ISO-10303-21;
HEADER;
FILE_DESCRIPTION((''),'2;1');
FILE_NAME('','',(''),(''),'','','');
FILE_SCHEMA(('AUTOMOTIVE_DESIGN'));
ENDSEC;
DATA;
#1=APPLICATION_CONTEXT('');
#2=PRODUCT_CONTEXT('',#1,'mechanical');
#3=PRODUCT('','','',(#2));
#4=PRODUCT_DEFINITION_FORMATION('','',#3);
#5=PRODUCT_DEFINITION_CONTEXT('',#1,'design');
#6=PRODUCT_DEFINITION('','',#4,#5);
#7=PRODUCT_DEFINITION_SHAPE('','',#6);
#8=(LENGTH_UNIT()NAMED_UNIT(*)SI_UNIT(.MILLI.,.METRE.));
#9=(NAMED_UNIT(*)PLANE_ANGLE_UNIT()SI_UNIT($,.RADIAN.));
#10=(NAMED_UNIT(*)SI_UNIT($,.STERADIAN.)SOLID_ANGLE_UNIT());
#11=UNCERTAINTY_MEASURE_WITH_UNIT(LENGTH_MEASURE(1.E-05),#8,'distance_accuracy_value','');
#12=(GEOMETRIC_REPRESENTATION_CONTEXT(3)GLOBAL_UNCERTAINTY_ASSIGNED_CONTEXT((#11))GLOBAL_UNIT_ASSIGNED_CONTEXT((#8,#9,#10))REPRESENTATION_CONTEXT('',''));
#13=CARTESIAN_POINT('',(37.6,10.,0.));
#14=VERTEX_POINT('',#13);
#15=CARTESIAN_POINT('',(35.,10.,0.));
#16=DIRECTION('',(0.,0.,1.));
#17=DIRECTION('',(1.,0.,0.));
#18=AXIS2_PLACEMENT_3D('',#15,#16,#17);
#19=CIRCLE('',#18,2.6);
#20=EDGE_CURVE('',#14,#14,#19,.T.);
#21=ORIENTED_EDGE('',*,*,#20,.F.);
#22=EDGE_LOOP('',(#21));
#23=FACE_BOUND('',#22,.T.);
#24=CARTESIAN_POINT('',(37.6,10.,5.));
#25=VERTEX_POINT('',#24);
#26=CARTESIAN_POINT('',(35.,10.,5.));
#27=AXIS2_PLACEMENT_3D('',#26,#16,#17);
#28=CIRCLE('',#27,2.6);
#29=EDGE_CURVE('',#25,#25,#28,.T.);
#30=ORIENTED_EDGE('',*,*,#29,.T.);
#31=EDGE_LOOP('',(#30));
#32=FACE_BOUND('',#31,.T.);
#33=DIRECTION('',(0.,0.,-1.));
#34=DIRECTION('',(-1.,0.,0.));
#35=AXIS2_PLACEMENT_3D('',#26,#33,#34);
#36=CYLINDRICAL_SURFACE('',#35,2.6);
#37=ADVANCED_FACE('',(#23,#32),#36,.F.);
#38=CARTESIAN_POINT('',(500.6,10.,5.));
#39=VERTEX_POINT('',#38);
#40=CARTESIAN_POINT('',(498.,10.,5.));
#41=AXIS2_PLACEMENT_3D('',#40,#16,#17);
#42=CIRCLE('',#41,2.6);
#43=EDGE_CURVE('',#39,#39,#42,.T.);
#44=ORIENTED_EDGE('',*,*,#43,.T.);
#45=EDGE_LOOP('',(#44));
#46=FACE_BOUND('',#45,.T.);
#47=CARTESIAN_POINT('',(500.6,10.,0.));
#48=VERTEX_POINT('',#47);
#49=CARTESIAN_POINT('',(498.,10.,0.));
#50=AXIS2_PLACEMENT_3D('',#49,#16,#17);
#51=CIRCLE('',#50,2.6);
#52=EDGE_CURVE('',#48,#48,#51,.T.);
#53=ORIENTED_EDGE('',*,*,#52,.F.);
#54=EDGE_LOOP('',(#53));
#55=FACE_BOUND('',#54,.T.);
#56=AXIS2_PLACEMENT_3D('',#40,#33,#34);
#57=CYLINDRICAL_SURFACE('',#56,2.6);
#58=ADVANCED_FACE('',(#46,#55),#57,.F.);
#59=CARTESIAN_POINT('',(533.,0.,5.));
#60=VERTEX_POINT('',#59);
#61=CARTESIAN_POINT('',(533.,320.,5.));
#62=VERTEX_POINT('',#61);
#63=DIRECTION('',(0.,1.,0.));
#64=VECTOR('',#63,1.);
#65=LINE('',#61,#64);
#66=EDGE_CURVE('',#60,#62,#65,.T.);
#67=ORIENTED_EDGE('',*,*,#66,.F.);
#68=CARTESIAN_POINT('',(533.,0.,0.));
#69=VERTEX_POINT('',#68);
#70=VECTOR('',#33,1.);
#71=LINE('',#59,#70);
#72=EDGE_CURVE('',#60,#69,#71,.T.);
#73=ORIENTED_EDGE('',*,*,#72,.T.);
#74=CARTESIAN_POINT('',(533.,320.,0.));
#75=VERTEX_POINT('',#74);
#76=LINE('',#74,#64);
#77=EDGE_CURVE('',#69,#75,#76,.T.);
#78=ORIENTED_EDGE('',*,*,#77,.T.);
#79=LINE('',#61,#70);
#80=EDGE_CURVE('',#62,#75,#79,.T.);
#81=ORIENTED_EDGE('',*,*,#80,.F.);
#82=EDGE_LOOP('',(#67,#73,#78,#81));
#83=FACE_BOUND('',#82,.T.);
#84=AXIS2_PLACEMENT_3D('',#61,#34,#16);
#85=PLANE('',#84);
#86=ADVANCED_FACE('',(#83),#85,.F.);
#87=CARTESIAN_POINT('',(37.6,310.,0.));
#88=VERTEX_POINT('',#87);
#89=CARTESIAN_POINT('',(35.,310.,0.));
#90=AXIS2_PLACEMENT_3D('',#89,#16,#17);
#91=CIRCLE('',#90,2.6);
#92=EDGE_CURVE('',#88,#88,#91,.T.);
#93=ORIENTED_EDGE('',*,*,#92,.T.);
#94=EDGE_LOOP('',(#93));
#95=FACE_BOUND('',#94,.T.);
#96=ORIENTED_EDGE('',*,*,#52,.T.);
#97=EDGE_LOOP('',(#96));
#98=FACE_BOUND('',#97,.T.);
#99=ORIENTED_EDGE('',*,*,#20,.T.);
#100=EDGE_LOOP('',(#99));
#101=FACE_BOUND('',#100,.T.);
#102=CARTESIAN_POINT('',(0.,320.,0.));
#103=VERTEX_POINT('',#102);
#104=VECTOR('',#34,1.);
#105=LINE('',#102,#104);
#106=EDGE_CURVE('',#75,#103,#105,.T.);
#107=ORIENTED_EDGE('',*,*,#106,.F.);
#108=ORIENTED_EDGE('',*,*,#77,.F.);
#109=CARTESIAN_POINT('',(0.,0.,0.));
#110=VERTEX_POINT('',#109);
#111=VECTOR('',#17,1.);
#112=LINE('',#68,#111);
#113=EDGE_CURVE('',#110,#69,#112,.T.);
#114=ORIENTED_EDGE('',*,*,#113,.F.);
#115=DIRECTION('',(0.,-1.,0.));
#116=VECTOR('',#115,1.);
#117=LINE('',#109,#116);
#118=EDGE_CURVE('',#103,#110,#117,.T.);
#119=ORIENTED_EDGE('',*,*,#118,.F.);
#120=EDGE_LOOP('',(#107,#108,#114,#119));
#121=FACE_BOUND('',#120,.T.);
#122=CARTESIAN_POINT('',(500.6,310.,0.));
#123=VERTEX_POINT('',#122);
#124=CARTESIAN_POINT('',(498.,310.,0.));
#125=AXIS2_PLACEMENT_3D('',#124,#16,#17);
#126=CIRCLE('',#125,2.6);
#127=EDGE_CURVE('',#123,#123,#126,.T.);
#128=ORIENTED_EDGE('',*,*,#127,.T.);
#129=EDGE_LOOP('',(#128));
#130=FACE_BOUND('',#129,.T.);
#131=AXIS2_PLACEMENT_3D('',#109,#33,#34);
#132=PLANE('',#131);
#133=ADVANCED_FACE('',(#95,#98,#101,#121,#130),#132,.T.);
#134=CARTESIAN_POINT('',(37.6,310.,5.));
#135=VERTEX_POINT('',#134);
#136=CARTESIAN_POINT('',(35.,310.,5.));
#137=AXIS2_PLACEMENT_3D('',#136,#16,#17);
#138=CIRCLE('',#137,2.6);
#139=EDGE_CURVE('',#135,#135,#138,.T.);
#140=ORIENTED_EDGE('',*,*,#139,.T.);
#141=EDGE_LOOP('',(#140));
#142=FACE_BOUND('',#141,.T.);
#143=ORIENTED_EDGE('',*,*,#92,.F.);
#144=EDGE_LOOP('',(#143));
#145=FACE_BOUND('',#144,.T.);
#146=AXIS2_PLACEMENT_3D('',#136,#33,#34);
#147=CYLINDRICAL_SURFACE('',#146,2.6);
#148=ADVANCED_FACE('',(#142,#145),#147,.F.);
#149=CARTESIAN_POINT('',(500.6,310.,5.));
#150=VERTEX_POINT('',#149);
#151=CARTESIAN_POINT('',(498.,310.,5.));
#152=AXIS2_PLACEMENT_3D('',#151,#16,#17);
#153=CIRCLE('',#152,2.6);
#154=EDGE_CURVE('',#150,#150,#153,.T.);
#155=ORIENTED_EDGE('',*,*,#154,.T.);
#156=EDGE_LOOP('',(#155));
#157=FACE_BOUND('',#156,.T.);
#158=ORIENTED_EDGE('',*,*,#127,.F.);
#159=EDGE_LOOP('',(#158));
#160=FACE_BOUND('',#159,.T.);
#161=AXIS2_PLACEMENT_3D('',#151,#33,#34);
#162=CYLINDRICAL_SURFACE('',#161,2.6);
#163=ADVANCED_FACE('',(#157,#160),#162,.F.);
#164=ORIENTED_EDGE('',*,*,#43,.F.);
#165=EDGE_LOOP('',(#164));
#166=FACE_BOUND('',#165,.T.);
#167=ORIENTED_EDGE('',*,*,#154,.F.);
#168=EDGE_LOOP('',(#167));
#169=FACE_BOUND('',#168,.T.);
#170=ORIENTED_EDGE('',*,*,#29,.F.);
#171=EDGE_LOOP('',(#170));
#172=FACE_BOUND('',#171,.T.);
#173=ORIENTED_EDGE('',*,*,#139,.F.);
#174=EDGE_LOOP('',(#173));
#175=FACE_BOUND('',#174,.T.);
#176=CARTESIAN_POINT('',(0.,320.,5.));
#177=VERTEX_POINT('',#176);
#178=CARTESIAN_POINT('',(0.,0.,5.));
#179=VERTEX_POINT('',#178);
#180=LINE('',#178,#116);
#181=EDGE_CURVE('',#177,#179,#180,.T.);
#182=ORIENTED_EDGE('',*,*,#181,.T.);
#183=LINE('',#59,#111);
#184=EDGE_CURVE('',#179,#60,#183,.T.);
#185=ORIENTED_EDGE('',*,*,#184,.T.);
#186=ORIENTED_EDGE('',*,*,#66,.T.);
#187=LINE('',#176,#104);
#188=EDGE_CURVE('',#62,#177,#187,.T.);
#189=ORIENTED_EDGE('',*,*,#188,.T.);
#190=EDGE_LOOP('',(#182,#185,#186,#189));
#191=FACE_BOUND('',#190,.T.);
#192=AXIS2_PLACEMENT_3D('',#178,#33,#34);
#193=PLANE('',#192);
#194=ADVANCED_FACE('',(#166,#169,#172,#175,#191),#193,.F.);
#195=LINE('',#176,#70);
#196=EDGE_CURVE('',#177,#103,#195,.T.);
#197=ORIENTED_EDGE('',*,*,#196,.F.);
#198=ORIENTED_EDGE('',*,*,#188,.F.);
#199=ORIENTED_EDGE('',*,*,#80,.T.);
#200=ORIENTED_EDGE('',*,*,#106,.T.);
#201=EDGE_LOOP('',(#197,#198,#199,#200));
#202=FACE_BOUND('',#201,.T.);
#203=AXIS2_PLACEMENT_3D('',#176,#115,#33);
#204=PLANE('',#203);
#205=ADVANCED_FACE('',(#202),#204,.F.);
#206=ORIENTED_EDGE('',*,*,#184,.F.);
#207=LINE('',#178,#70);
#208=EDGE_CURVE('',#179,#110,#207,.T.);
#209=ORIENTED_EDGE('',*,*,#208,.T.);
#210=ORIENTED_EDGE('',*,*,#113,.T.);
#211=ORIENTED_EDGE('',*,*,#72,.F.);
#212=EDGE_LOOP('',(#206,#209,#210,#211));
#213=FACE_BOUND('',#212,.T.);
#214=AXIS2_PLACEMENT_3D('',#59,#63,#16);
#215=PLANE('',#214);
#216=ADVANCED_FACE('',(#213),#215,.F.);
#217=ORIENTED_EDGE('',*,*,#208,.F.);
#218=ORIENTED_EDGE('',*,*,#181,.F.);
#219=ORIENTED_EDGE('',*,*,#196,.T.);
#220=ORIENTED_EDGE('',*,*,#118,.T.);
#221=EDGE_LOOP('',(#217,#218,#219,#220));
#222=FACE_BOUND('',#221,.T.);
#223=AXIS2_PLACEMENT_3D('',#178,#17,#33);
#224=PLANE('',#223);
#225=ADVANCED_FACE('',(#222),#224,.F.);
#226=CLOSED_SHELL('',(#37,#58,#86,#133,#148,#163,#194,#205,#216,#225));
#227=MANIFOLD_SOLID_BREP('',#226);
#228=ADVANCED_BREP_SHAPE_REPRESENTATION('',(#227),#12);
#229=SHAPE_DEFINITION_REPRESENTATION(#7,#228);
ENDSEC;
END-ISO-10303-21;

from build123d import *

# Parameters (mm, degrees)
SKETCH_1_W      = 533
SKETCH_1_H      = 320
SKETCH_1_R      = 2.6
EXTRUDE_1_DEPTH = 5


with BuildPart() as part:
    # 草图1 → 凸台-拉伸1 (new body)
    with BuildSketch(Plane.XY):
        with Locations((266.5, 160)):
            Rectangle(SKETCH_1_W, SKETCH_1_H)
        with Locations((35, 310)):
            Circle(SKETCH_1_R, mode=Mode.SUBTRACT)
        with Locations((498, 310)):
            Circle(SKETCH_1_R, mode=Mode.SUBTRACT)
        with Locations((498, 10)):
            Circle(SKETCH_1_R, mode=Mode.SUBTRACT)
        with Locations((35, 10)):
            Circle(SKETCH_1_R, mode=Mode.SUBTRACT)
    extrude(amount=EXTRUDE_1_DEPTH)


solid = part.part
